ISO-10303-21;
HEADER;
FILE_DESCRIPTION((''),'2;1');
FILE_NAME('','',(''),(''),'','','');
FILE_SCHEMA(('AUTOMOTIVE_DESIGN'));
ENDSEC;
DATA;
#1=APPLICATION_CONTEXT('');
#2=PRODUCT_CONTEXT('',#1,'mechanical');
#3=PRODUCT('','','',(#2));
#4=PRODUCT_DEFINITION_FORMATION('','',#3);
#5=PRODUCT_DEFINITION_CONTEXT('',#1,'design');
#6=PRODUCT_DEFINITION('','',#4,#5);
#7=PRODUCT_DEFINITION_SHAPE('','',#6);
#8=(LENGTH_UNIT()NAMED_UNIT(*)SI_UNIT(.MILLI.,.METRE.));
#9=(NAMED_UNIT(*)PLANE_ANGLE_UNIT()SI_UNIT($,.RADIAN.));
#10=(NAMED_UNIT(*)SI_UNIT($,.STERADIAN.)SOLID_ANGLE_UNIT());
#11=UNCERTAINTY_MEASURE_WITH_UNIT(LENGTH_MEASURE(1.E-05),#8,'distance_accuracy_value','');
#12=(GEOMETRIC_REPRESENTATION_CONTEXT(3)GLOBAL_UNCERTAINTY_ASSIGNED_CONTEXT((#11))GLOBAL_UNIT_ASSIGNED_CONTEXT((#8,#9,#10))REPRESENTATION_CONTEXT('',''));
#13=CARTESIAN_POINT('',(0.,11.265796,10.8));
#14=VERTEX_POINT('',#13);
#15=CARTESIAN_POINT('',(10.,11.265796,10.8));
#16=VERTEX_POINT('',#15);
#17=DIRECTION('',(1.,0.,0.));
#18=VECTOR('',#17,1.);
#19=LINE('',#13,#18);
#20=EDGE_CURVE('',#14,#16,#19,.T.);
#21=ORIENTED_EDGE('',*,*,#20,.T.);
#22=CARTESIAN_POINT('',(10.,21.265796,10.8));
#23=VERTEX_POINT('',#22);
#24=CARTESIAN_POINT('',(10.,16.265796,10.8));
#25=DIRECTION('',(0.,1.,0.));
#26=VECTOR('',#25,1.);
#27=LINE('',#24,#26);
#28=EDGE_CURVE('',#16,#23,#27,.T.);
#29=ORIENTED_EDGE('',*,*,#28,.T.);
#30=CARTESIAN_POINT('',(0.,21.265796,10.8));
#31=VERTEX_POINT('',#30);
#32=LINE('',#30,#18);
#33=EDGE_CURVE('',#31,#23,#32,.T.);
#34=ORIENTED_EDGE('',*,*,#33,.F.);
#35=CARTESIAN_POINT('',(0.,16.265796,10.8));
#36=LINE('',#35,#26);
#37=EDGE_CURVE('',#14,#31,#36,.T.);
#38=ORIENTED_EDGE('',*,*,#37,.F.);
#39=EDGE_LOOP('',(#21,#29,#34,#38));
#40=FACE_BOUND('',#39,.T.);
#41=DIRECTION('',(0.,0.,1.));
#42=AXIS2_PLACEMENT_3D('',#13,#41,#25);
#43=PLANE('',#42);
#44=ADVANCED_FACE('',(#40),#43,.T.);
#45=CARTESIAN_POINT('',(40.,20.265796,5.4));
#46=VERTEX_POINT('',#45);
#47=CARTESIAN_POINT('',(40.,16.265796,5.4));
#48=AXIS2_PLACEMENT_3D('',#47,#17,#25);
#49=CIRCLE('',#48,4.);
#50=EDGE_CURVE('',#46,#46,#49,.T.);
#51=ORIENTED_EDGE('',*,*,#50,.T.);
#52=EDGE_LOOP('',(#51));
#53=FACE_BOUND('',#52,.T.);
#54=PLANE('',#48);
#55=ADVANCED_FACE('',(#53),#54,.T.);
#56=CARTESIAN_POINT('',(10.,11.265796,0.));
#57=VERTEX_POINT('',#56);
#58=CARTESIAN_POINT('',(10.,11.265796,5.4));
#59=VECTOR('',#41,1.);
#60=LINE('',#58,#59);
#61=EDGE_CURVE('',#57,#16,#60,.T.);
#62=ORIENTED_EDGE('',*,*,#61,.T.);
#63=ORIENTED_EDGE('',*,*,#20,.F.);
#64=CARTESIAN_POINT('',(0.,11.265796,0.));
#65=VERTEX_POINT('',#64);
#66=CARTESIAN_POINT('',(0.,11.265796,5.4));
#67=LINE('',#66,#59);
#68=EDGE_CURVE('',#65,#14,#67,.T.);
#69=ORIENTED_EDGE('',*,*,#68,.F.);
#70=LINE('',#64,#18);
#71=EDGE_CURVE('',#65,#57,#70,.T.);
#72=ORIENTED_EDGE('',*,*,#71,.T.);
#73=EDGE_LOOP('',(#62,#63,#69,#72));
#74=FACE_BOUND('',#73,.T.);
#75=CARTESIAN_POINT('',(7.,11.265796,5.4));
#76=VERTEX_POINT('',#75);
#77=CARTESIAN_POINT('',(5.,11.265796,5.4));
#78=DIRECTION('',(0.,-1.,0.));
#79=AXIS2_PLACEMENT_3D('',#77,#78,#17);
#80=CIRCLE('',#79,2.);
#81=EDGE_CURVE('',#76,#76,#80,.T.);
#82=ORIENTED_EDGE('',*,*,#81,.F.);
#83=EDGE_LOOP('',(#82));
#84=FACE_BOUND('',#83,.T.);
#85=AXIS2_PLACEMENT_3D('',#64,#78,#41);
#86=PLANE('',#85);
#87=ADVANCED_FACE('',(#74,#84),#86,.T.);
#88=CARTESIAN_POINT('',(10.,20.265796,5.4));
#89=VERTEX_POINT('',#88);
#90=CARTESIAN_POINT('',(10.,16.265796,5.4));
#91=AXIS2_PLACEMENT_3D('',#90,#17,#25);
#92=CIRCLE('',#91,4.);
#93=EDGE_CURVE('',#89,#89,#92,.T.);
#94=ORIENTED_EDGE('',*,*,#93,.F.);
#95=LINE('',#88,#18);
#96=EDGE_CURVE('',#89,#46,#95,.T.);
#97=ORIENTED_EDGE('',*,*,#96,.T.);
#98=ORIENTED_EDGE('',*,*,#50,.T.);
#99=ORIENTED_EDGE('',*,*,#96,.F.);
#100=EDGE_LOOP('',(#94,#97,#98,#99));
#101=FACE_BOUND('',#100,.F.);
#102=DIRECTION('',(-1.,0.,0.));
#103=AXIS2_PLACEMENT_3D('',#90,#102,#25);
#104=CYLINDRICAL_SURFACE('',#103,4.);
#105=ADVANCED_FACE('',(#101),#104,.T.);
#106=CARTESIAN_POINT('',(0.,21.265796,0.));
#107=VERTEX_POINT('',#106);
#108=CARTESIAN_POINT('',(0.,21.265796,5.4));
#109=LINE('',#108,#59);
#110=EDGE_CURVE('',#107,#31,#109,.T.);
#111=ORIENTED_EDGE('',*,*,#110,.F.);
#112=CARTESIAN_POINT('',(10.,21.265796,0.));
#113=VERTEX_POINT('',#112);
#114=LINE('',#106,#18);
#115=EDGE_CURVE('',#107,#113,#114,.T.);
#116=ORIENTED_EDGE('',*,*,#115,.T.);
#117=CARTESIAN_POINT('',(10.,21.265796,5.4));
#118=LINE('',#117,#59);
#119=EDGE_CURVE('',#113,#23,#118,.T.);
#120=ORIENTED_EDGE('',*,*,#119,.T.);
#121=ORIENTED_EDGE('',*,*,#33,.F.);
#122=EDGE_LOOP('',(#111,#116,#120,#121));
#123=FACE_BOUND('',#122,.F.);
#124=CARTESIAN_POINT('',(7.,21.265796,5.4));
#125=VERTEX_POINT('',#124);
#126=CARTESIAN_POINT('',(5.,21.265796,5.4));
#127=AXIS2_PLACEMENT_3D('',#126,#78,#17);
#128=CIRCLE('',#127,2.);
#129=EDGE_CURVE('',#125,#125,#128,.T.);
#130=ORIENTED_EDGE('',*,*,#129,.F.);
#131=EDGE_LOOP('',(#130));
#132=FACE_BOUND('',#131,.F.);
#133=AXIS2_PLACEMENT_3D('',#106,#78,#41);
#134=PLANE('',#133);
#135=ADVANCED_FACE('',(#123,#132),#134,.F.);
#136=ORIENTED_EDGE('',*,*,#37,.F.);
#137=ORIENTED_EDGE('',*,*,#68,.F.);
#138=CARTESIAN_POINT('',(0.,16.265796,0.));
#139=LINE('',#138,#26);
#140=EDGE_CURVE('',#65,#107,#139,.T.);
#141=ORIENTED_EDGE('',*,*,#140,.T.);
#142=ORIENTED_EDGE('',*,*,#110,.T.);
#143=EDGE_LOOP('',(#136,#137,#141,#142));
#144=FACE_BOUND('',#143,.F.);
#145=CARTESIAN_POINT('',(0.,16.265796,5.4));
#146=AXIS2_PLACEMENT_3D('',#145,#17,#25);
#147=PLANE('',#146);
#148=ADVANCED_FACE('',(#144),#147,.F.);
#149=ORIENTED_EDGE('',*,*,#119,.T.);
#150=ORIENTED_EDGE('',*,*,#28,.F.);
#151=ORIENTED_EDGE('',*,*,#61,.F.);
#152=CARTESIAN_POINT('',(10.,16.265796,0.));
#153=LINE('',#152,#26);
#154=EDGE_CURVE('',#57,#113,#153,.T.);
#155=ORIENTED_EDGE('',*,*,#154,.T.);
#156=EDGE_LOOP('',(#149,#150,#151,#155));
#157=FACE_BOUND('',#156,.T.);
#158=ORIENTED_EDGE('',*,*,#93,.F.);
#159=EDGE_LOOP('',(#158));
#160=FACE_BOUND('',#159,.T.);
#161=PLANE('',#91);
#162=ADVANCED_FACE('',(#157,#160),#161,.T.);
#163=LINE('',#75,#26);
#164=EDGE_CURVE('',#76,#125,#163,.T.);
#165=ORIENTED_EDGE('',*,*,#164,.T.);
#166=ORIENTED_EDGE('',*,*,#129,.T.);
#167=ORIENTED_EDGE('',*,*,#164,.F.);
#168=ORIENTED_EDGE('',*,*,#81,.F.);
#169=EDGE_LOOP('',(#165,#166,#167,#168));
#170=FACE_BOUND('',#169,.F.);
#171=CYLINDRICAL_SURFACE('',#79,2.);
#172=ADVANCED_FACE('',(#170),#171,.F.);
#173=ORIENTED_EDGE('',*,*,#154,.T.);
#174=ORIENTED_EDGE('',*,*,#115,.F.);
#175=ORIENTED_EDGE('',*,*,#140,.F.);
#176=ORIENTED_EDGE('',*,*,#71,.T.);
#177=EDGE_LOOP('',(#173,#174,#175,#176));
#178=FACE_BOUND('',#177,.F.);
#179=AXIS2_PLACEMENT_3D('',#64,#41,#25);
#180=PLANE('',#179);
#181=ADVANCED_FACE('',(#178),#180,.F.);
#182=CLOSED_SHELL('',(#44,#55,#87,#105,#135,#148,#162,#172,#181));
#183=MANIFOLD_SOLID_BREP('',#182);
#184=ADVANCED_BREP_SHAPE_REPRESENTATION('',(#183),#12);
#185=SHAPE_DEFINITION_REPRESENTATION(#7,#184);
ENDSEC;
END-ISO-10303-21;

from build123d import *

# Parameters (mm, degrees)
F0_W     = 10
F0_H     = 10.8
F1_DEPTH = 10
F2_R     = 4
F3_DEPTH = 30
F4_R     = 2
F5_DEPTH = 25


with BuildPart() as f1:
    # F0 (on Right) → F1 (new body)
    with BuildSketch(Plane.YZ):
        with Locations((16.265796, 5.4)):
            Rectangle(F0_W, F0_H)
    extrude(amount=F1_DEPTH)

    # F2 (on face) → F3 (join)
    with BuildSketch(Plane.YZ.offset(10)):
        with Locations((16.265796, 5.4)):
            Circle(F2_R)
    extrude(amount=F3_DEPTH)

    # F4 (on face) → F5 (cut)
    with BuildSketch(Plane.XZ.offset(-11.265796)):
        with Locations((5, 5.4)):
            Circle(F4_R)
    extrude(amount=-F5_DEPTH, mode=Mode.SUBTRACT)


solid = f1.part
